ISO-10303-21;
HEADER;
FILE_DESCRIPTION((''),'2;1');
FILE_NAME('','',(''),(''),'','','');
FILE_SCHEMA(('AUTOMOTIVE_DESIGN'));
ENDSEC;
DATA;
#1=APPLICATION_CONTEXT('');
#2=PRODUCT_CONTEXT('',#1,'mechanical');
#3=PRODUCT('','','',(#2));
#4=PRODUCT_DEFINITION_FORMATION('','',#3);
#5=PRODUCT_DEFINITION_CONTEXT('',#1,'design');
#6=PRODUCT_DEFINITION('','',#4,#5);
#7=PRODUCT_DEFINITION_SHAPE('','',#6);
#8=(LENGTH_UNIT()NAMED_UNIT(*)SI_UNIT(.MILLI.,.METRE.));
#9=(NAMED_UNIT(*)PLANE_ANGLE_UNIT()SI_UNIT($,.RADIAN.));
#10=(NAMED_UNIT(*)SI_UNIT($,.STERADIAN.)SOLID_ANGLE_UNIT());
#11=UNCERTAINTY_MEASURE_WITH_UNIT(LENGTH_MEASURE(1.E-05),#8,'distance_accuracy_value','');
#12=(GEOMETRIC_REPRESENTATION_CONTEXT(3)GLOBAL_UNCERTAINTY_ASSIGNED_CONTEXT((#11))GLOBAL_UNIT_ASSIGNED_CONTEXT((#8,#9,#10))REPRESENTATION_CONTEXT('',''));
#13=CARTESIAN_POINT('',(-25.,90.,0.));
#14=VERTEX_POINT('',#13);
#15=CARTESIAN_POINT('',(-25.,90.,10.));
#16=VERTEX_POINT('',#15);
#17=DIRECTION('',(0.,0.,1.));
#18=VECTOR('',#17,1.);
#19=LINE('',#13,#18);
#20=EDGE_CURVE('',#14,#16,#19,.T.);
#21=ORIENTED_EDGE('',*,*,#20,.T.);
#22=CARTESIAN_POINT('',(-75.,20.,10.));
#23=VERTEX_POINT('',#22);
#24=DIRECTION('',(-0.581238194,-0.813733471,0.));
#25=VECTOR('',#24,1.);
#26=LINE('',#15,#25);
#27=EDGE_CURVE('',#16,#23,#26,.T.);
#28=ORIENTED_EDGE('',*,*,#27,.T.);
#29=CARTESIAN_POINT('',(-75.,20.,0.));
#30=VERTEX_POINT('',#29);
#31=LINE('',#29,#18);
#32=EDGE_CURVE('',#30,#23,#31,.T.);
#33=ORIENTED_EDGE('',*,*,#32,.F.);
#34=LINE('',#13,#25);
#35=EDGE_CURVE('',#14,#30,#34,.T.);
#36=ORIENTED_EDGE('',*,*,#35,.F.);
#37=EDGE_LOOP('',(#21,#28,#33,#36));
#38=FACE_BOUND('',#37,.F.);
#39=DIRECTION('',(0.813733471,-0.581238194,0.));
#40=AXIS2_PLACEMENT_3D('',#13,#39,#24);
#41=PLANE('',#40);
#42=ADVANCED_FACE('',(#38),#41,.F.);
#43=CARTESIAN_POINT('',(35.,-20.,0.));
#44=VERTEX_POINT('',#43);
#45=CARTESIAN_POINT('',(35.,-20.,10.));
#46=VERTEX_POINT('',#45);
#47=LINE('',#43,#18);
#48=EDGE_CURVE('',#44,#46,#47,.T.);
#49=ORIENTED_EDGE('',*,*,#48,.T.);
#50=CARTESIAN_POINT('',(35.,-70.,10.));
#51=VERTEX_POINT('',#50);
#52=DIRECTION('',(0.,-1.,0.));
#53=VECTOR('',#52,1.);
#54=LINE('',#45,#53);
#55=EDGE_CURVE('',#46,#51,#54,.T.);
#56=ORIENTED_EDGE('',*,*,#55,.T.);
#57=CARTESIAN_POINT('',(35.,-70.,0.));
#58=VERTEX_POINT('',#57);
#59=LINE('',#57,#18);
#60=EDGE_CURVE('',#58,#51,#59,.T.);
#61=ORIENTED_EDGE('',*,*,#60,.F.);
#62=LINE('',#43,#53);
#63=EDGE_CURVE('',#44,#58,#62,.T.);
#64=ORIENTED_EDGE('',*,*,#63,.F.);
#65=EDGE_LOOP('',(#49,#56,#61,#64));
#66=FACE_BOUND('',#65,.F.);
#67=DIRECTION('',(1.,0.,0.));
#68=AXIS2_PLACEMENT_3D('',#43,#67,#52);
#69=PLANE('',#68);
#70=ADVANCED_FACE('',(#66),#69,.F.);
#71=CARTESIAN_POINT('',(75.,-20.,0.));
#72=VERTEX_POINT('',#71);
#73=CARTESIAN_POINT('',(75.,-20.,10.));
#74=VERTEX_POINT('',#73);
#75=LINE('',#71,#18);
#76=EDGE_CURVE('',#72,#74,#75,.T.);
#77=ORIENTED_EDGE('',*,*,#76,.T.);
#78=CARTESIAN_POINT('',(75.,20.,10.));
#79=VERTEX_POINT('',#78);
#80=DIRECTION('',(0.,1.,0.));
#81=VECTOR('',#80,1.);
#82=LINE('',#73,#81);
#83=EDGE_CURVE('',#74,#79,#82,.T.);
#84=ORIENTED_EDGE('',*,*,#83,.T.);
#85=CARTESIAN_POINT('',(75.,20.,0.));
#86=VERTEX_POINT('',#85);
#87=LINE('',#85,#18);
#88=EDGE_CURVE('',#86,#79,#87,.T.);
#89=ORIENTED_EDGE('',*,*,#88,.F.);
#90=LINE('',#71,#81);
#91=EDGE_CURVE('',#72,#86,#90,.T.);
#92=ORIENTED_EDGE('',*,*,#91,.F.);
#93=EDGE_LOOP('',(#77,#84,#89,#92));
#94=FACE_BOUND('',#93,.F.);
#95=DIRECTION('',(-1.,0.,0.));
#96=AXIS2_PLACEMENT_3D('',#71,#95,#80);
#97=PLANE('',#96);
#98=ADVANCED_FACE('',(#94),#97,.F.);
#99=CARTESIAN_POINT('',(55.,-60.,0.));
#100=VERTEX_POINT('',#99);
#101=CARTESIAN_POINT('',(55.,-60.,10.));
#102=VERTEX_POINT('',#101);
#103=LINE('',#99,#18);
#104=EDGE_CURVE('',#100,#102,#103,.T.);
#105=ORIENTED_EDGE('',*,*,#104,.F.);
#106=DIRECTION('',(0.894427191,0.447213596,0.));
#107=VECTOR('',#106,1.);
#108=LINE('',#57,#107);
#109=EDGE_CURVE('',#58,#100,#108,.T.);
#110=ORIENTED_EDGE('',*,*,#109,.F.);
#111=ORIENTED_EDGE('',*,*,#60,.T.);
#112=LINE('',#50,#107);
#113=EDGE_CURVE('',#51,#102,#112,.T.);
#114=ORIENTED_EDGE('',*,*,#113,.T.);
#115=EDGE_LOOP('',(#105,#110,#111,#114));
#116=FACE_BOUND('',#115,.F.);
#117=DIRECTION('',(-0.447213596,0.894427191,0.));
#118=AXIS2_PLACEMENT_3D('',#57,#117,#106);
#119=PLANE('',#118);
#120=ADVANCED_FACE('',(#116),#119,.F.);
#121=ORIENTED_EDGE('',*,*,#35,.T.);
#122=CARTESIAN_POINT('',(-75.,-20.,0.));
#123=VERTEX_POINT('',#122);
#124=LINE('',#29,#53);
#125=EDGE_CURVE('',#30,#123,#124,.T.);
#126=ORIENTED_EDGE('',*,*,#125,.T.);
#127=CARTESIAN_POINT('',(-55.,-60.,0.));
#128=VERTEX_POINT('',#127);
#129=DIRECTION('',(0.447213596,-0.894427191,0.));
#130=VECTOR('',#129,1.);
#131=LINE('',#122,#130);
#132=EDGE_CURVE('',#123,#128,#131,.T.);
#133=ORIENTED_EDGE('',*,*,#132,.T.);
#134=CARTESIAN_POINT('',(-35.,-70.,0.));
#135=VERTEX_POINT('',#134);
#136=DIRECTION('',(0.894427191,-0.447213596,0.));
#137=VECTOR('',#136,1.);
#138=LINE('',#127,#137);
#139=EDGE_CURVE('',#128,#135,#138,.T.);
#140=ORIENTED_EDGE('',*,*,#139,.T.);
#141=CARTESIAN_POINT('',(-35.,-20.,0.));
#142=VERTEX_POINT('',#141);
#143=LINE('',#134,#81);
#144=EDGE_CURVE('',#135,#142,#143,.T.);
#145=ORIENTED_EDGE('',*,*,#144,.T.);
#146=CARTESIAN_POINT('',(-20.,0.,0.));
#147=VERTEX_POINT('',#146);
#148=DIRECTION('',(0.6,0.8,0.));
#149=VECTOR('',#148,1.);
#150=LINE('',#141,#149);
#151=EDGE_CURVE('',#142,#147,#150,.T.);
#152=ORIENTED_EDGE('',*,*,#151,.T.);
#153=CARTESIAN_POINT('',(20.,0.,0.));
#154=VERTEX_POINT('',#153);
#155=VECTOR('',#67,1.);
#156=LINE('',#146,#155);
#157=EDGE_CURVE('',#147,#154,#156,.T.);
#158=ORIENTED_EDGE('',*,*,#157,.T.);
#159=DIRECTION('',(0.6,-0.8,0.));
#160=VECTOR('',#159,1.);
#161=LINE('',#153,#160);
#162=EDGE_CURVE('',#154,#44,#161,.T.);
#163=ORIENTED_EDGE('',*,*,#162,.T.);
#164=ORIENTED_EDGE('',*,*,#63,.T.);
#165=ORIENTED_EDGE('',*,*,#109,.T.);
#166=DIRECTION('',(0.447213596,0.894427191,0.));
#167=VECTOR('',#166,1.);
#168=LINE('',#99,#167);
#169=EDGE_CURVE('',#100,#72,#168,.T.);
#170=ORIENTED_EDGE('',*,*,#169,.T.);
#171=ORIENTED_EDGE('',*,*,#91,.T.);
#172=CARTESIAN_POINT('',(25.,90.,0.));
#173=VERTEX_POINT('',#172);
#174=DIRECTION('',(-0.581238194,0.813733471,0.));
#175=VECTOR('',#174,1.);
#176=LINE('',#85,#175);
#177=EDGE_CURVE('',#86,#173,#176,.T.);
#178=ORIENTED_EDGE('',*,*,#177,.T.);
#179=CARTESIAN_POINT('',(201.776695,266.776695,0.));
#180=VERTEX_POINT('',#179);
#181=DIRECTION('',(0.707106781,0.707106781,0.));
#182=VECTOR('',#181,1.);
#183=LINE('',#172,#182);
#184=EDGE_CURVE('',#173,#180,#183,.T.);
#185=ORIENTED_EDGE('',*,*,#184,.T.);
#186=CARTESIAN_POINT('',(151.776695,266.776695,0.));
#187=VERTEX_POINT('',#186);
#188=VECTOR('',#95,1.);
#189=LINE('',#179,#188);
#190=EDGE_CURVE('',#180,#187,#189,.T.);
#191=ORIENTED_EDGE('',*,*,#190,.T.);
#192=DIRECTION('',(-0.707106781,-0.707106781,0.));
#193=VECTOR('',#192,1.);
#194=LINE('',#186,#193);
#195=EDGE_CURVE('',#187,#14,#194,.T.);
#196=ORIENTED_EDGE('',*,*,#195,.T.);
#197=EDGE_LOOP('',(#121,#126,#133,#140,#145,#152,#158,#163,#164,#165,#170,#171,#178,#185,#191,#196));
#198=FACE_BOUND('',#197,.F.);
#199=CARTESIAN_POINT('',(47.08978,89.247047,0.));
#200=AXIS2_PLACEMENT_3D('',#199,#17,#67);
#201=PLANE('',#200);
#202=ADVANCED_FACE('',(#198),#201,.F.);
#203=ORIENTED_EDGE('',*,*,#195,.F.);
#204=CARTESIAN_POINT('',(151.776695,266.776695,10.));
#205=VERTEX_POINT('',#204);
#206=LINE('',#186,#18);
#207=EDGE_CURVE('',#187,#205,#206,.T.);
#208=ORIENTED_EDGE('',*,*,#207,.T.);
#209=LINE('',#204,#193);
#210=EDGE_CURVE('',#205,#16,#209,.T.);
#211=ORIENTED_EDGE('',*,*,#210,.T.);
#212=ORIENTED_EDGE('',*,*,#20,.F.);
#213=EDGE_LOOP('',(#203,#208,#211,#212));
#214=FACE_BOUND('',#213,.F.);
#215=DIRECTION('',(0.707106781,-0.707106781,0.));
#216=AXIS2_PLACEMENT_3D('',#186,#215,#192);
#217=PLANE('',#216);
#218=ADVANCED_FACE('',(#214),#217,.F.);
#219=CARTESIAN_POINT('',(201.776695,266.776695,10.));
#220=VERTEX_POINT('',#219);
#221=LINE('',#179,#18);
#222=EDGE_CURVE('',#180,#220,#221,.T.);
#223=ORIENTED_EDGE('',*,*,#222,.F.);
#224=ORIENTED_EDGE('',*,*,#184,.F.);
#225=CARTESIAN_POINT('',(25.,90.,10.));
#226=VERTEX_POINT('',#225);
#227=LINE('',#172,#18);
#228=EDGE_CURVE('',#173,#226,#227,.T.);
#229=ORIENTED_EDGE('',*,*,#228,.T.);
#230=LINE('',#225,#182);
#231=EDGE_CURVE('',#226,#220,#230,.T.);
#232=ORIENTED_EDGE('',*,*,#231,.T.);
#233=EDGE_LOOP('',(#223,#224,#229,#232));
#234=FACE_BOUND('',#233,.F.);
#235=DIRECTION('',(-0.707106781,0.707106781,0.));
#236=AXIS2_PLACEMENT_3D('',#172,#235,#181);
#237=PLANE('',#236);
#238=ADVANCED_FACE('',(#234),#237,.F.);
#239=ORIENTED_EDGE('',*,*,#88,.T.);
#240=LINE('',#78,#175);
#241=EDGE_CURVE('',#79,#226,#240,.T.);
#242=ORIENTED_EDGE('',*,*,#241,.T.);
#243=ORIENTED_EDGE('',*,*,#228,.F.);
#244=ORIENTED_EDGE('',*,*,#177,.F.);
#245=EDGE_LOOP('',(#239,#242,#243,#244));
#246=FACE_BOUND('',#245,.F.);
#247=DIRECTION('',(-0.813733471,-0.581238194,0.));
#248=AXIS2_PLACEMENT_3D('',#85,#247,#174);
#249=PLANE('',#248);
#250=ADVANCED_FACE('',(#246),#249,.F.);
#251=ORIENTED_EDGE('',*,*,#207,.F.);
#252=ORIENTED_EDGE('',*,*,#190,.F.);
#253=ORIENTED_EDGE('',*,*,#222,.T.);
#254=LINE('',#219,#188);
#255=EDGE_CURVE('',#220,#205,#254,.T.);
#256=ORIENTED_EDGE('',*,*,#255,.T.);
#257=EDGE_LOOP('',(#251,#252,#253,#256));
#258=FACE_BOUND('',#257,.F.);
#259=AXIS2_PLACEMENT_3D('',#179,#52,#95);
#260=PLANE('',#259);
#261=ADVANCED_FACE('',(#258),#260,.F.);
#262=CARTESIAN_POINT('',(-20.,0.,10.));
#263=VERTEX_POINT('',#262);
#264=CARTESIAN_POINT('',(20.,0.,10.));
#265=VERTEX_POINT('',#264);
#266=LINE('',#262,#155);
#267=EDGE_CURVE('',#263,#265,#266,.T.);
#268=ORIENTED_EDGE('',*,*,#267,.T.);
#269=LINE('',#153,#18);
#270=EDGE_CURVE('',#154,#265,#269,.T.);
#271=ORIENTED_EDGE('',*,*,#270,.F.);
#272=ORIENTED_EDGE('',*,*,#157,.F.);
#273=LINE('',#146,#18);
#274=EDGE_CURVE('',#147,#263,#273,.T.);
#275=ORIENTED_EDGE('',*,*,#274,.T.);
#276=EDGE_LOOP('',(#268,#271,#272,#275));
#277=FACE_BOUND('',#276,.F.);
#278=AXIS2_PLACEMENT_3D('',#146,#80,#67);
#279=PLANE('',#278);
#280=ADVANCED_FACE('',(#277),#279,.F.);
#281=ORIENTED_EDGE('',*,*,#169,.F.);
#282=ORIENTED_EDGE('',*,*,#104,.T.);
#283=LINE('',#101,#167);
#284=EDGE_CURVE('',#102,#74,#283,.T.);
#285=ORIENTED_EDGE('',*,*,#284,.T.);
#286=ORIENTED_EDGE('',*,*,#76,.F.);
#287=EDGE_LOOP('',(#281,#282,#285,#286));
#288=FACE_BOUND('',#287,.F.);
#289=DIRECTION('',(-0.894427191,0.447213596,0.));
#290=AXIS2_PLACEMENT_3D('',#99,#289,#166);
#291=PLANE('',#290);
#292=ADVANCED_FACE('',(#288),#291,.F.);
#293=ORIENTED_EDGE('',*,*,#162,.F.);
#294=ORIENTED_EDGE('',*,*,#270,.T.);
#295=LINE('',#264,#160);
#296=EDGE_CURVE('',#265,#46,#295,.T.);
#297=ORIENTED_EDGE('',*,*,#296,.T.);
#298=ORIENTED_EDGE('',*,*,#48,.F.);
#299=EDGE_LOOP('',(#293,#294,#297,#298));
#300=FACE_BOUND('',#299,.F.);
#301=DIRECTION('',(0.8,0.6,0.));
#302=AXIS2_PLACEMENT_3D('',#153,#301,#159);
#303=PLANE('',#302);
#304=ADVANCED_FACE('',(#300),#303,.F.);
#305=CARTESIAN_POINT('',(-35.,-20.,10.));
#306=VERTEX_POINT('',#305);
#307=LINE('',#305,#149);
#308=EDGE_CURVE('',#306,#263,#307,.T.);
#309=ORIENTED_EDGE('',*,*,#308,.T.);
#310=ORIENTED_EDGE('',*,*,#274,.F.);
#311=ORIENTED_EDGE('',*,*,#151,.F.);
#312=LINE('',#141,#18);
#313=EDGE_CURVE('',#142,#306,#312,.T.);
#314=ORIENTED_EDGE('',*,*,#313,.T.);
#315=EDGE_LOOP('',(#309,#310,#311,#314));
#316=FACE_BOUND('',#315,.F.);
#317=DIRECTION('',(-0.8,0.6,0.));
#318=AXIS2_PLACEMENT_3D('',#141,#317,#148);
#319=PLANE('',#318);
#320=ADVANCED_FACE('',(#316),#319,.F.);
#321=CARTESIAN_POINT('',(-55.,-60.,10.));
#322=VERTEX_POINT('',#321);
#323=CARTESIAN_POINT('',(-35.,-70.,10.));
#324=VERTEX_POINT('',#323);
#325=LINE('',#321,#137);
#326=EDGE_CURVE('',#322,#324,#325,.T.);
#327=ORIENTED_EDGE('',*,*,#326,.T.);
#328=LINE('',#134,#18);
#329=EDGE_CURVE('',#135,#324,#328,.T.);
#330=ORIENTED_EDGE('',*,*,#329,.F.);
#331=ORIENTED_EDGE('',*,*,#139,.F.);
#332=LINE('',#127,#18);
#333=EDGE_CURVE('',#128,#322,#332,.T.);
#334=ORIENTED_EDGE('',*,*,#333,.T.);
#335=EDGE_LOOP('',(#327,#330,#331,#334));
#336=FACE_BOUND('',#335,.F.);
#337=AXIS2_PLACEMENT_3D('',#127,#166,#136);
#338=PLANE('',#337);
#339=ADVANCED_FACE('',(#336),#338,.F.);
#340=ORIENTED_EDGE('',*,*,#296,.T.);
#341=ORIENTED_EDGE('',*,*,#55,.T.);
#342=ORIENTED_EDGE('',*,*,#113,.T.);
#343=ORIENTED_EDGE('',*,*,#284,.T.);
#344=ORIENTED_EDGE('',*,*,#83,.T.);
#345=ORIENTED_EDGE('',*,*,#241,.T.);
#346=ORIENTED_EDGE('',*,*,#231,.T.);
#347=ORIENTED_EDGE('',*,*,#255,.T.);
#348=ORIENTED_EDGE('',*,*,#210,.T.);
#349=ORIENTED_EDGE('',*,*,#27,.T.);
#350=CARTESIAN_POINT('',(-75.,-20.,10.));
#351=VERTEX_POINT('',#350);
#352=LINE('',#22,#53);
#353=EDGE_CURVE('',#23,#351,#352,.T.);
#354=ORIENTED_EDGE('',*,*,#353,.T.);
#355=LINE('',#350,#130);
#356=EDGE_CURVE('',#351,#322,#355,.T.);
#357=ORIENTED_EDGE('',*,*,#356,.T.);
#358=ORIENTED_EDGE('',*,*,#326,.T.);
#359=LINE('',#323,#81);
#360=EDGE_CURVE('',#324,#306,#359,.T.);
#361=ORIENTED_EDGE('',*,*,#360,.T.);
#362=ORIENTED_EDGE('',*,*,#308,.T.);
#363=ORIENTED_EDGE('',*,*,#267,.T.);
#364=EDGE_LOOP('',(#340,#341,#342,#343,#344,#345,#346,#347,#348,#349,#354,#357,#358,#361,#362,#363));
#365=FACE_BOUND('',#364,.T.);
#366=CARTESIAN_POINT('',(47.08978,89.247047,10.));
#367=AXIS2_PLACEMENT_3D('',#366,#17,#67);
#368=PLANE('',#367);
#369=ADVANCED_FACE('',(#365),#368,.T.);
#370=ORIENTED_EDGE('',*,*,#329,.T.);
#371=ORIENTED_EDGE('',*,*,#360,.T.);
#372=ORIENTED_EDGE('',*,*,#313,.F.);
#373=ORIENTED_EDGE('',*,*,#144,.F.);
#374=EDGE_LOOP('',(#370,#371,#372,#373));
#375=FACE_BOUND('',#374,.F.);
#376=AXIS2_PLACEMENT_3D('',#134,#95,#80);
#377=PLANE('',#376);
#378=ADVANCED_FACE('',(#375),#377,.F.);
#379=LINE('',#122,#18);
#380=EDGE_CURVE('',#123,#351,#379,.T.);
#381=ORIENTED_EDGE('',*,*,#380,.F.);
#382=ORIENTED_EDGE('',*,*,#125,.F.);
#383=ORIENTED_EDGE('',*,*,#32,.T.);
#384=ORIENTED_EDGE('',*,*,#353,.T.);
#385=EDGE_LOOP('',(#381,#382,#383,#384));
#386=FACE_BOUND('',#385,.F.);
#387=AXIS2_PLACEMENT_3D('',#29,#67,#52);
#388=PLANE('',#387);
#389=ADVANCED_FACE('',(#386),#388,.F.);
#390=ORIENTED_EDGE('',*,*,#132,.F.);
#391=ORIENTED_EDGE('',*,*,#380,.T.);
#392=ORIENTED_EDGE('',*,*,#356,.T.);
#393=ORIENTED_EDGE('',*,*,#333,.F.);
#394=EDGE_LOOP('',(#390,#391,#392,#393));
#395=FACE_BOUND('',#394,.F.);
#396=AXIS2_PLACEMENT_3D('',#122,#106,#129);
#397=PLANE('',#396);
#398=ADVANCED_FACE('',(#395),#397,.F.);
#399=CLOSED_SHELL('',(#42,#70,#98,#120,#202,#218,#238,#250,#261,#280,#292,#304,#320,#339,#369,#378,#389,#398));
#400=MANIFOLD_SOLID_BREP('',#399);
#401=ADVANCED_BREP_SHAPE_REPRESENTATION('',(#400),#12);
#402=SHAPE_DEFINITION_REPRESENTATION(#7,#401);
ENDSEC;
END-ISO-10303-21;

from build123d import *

# Parameters (mm, degrees)
F1_DEPTH = 10


with BuildPart() as f1:
    # F0 (on Top) → F1 (new body)
    with BuildSketch(Plane.XY):
        Polygon((-35, -20), (-20, 0), (20, 0), (35, -20), (35, -70), (55, -60), (75, -20), (75, 20), (25, 90), (201.776695, 266.776695), (151.776695, 266.776695), (-25, 90), (-75, 20), (-75, -20), (-55, -60), (-35, -70), align=None)
    extrude(amount=F1_DEPTH)


solid = f1.part
